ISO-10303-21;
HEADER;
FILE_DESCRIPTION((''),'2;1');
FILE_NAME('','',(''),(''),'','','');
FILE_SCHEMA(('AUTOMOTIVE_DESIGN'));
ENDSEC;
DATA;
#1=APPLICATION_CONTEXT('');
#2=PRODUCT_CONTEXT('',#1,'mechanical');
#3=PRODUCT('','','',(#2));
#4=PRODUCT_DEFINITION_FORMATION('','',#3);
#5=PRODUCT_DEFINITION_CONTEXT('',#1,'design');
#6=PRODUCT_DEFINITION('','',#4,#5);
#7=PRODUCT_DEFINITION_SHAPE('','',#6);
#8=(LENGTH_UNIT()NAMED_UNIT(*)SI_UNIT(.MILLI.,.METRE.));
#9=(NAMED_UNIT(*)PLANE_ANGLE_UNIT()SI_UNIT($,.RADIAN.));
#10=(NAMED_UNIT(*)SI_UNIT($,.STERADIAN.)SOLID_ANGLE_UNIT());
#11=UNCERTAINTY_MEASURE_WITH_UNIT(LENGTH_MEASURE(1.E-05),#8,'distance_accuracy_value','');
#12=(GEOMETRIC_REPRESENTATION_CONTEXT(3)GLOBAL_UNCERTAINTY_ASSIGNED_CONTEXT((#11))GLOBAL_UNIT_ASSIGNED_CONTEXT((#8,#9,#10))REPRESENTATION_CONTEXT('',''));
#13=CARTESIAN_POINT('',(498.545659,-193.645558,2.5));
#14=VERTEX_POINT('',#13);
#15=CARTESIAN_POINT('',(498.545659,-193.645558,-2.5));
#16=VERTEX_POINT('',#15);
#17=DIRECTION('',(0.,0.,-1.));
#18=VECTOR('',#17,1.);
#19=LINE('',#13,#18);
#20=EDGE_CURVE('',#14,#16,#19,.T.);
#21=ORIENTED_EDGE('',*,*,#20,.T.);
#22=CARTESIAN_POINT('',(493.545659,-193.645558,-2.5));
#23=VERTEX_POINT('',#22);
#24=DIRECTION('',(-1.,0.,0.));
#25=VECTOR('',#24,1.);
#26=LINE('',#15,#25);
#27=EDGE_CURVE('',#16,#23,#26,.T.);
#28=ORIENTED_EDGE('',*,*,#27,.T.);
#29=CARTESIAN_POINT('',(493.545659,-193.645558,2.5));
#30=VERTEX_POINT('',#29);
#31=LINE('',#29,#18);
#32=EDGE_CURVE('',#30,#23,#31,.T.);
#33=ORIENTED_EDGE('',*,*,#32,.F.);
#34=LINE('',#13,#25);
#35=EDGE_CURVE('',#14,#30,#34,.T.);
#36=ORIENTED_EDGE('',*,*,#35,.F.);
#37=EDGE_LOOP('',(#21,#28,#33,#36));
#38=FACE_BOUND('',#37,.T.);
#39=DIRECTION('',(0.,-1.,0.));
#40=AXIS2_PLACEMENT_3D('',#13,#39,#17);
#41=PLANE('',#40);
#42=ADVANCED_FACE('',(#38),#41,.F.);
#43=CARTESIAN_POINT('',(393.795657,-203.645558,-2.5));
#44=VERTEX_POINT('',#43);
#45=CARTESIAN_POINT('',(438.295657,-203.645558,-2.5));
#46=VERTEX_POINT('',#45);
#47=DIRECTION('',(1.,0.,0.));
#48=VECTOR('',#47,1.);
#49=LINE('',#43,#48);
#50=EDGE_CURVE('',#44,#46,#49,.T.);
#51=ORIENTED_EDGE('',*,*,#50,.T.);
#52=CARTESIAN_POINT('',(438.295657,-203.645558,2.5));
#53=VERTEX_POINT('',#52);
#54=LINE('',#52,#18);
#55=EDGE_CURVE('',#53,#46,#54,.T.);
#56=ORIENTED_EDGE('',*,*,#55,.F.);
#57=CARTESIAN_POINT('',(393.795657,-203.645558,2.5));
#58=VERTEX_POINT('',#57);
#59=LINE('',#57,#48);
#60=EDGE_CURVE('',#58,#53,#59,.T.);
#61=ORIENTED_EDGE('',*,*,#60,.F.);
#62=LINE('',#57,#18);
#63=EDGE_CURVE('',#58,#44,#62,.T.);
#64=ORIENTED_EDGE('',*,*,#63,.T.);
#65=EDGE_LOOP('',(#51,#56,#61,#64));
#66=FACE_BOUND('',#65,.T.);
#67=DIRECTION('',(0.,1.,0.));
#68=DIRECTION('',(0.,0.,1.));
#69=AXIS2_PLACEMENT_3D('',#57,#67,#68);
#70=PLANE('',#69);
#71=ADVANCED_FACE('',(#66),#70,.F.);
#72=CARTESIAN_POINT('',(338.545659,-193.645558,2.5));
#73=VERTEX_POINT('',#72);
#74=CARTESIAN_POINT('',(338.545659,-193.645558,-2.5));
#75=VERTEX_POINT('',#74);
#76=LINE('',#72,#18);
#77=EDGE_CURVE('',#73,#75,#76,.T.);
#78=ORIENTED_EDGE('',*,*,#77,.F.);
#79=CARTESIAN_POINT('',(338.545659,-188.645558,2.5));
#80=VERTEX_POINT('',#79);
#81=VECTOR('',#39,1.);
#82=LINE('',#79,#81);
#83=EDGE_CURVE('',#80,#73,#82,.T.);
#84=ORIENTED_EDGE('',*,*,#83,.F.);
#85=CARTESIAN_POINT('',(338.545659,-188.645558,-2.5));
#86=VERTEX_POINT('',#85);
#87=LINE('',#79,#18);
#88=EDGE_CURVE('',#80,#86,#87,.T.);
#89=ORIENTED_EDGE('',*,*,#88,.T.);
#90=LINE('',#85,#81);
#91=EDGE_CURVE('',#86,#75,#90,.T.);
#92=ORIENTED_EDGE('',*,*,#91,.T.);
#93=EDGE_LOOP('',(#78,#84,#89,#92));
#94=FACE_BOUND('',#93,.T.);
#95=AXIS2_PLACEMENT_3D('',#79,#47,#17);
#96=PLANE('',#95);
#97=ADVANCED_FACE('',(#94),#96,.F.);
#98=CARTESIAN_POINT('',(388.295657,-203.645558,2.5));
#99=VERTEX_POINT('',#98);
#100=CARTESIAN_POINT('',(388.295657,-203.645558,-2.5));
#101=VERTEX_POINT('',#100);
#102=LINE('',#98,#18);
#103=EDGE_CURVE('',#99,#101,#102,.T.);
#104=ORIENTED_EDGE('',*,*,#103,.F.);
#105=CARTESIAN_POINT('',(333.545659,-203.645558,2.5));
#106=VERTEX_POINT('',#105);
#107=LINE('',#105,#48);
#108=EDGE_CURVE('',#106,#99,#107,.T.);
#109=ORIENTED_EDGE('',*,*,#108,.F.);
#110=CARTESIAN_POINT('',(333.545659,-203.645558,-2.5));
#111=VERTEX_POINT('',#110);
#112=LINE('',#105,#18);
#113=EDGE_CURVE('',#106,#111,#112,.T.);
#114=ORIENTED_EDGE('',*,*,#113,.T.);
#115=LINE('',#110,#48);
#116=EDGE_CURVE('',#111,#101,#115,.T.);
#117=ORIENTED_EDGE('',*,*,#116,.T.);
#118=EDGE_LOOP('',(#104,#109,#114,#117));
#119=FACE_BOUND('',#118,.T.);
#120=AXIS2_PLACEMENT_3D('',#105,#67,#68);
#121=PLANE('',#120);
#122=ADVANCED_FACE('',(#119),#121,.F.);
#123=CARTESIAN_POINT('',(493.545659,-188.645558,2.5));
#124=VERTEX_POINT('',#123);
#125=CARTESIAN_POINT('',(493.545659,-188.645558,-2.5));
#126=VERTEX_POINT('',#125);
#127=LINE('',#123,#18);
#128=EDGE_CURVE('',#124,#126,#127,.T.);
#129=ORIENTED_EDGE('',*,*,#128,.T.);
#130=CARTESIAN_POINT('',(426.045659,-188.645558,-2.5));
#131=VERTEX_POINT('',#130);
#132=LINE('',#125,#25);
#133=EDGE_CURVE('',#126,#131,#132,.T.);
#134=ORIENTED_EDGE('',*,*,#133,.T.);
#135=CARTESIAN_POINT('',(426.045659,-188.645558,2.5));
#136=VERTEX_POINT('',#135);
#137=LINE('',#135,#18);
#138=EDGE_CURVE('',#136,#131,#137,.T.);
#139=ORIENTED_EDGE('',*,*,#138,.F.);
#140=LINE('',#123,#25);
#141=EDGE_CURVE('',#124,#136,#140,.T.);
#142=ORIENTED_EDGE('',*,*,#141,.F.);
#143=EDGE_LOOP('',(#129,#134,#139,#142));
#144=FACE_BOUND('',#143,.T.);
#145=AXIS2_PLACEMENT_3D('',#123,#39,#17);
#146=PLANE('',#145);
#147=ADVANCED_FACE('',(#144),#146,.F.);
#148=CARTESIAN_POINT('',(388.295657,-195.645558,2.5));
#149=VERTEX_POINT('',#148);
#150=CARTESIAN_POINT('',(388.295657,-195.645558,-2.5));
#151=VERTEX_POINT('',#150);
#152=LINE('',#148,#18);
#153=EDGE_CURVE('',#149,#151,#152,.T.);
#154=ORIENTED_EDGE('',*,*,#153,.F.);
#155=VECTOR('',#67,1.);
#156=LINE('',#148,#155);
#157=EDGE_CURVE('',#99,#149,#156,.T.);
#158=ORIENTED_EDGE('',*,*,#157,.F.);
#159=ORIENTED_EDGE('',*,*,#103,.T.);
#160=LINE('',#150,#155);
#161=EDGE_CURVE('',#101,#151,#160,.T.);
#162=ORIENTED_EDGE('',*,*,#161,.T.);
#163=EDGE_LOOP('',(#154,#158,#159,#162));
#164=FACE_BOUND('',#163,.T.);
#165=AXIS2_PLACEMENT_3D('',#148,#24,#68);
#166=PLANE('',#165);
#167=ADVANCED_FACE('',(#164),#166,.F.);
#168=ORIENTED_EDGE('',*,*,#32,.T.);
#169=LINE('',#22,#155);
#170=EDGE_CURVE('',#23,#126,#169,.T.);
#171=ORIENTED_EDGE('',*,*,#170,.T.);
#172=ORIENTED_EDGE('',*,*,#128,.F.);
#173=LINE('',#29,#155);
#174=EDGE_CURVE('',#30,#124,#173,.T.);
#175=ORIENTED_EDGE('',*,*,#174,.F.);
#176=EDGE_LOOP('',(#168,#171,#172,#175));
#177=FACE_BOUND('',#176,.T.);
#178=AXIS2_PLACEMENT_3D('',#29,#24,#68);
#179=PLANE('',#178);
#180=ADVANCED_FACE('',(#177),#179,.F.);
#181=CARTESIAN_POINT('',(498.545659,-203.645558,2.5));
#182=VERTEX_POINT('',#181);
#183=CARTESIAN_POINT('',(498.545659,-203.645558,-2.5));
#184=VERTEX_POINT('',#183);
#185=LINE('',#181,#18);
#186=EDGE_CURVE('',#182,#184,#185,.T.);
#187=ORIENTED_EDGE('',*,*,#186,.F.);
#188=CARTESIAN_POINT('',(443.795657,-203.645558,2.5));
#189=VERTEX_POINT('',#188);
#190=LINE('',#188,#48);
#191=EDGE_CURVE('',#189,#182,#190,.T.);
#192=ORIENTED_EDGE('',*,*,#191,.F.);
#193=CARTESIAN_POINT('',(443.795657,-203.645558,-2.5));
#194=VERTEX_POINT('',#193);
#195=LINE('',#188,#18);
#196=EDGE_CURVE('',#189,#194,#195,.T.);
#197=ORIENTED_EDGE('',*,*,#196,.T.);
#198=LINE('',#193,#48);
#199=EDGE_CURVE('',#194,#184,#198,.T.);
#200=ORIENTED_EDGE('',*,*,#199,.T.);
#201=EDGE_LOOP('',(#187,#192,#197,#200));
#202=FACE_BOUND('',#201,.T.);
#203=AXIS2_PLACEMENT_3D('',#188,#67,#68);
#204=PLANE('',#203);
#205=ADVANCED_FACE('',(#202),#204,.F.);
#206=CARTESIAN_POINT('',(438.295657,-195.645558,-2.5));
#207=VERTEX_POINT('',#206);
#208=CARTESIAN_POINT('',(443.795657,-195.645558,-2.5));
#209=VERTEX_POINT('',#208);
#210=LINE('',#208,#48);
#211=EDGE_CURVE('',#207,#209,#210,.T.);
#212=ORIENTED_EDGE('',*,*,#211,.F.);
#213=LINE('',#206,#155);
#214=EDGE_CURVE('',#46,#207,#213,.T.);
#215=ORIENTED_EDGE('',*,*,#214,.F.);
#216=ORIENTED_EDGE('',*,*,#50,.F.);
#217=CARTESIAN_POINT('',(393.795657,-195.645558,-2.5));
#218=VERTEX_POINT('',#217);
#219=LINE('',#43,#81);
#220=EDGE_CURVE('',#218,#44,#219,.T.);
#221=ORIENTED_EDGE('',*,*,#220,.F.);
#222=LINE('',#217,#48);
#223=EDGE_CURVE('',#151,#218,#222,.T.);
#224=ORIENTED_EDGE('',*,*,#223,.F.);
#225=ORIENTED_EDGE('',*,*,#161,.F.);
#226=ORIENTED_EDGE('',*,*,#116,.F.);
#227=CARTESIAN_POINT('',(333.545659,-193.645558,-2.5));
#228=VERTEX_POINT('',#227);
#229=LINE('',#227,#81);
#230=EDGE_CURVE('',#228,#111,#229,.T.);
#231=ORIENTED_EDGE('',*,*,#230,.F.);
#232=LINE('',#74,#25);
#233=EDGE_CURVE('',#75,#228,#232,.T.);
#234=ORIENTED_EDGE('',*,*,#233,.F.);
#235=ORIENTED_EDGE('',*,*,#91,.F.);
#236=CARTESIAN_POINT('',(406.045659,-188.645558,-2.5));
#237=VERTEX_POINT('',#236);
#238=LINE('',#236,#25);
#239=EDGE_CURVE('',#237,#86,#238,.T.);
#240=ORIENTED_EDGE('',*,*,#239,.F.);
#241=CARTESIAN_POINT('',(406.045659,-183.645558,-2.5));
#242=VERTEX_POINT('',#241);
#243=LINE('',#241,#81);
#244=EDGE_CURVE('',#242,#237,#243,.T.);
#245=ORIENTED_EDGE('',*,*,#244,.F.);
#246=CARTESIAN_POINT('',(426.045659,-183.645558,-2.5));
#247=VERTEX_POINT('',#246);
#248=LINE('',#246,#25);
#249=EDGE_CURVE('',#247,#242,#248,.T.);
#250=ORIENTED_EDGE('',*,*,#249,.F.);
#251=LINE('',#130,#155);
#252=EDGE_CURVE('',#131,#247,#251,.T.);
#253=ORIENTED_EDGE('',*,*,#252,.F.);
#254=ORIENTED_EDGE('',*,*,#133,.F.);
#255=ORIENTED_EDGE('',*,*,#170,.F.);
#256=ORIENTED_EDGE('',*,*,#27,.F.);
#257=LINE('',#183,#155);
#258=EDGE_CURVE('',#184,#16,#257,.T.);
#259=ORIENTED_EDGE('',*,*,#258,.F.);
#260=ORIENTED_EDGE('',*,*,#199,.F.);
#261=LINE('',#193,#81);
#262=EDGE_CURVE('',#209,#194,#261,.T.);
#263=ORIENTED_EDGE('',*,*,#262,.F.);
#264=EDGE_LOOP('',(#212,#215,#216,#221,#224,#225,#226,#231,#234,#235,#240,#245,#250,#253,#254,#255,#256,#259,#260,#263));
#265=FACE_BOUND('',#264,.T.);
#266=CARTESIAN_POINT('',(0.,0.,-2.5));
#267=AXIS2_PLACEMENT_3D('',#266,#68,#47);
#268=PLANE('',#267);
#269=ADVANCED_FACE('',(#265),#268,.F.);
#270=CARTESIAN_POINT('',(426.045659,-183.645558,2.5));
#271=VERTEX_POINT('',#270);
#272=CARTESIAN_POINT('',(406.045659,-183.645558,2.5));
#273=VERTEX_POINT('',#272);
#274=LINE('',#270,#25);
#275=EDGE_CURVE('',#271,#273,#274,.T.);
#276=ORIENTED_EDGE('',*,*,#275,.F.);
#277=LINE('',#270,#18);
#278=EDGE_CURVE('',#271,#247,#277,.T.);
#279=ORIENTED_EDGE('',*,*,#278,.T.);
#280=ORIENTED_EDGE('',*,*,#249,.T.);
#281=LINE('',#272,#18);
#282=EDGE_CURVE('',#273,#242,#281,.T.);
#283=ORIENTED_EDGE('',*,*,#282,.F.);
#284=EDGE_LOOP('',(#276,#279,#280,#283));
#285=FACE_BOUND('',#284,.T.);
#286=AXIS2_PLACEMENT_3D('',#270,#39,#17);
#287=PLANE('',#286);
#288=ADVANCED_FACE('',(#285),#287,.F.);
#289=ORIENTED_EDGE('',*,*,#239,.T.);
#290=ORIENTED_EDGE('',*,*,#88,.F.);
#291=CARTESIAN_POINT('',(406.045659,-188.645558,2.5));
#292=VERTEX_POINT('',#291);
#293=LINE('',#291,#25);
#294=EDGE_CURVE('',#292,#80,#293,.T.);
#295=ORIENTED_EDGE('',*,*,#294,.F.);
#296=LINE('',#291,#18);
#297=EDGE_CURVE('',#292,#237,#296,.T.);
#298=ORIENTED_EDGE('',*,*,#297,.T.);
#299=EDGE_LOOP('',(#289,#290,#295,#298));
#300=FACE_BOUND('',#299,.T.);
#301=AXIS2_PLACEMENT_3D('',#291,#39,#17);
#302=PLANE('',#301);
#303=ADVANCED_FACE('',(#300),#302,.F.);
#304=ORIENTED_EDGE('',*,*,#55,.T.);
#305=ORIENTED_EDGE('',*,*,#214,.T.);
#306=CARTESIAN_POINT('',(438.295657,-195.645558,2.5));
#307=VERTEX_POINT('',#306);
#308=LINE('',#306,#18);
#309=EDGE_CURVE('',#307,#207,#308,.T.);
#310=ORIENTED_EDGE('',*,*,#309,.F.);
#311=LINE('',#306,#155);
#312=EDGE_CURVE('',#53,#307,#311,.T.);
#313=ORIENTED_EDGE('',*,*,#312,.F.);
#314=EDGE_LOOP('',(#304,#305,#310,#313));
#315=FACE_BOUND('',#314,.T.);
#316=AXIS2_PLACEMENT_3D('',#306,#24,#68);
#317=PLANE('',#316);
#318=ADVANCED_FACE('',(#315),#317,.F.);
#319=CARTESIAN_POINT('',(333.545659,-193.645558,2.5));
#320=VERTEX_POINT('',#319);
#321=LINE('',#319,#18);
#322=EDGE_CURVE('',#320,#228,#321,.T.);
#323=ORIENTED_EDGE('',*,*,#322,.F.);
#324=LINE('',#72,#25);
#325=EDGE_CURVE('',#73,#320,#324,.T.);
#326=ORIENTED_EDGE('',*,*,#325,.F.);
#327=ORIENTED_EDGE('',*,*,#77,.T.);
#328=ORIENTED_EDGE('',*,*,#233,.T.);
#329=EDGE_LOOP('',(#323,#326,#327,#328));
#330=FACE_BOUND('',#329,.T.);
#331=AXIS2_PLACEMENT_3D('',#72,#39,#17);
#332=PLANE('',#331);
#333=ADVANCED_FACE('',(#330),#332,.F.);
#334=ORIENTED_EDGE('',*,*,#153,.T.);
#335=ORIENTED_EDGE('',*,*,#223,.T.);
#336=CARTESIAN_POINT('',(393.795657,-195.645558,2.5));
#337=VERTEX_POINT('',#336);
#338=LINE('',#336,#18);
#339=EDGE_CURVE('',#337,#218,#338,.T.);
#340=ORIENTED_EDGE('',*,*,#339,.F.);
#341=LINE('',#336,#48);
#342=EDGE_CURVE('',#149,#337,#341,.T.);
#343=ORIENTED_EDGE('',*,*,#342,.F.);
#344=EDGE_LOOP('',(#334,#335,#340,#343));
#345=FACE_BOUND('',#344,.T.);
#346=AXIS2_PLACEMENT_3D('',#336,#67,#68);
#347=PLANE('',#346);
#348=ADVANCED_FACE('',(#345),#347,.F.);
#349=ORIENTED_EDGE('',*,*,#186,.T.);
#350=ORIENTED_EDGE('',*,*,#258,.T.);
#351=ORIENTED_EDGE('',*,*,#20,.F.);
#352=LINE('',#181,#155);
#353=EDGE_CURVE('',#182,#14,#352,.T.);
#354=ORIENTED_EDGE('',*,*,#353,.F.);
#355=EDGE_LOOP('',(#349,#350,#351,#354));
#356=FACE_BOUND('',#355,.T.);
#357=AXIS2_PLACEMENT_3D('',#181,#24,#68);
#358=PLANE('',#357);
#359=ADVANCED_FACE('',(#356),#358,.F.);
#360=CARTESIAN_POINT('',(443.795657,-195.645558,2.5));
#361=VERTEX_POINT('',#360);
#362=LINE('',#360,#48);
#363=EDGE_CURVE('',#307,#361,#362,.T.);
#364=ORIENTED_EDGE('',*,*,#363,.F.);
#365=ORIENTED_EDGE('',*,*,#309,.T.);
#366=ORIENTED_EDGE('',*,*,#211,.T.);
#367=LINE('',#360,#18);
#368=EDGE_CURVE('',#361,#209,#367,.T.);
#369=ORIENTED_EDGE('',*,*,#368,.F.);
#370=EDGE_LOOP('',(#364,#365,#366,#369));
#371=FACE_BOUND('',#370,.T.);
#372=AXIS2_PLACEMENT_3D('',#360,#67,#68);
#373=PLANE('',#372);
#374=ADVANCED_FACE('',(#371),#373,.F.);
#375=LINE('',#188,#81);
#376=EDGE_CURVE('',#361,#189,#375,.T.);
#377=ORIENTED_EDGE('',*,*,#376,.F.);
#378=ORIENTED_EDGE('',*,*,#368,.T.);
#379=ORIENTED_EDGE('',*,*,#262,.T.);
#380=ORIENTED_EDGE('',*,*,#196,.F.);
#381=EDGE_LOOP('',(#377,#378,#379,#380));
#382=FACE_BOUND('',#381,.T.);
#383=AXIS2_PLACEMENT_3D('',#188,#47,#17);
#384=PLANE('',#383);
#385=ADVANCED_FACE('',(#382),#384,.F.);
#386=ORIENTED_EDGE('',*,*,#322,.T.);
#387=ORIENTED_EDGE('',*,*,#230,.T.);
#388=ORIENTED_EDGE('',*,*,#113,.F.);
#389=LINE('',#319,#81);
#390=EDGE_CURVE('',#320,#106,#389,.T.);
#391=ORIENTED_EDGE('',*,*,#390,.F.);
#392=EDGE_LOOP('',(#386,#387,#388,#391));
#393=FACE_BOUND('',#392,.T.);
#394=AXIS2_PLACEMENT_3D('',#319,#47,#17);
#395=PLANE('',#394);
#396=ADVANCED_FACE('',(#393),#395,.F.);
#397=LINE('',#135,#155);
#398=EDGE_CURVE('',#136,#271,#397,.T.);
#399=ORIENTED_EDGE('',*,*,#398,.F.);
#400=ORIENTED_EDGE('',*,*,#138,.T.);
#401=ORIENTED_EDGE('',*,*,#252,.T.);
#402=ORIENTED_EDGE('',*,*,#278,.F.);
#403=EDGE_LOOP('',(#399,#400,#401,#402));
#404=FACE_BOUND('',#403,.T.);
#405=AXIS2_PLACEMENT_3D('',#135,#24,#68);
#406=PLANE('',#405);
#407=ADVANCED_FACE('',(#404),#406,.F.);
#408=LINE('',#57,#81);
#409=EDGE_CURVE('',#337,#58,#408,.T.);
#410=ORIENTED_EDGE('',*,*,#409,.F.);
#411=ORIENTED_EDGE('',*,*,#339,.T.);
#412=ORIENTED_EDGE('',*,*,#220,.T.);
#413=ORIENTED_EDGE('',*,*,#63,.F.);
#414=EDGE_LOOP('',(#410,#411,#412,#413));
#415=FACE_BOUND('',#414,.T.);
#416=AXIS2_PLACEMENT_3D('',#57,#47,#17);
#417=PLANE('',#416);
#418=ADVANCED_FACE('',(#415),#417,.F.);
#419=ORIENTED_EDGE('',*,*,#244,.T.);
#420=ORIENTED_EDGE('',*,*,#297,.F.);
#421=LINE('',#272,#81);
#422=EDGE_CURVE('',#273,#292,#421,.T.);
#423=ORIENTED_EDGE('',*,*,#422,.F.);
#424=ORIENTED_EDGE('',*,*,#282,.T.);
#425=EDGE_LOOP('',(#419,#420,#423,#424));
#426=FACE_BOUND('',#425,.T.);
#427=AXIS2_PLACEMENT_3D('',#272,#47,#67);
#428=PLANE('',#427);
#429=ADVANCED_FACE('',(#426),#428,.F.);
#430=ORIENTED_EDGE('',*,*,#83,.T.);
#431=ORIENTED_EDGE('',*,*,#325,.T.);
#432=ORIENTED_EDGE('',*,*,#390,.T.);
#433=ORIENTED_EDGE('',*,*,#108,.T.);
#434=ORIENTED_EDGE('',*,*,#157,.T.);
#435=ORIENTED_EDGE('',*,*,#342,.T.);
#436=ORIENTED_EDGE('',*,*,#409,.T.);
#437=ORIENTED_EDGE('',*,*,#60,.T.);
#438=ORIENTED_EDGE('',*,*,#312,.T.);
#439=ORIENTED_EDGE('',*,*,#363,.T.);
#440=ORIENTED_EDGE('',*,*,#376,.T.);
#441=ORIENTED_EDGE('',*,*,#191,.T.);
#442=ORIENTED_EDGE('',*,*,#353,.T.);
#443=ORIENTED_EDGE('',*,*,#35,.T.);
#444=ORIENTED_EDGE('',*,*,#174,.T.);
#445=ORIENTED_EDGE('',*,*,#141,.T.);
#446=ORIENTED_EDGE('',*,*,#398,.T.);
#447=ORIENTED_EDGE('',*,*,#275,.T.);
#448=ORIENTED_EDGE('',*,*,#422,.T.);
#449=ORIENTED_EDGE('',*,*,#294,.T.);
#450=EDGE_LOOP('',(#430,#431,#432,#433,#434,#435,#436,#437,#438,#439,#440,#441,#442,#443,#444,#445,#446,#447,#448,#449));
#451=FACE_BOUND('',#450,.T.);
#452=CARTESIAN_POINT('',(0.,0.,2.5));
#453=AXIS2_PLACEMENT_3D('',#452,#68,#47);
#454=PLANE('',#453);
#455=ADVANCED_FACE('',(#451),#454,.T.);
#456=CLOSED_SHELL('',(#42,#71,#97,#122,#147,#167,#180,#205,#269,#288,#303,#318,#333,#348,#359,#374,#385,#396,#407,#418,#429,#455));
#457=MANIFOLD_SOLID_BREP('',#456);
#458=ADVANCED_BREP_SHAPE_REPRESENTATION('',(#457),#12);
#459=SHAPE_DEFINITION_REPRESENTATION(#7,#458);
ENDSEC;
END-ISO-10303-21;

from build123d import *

# Parameters (mm, degrees)
BOSS_EXTRUDE1_DEPTH = 2.5


with BuildPart() as part:
    # Sketch2 → Boss-Extrude1 (new, symmetric)
    with BuildSketch(Plane.XY):
        Polygon((443.795656842, -203.645557825), (443.795656842, -195.645557825), (438.295656842, -195.645557825), (438.295656842, -203.645557825), (393.795656842, -203.645557825), (393.795656842, -195.645557825), (388.295656842, -195.645557825), (388.295656842, -203.645557825), (333.545659386, -203.645557825), (333.545659386, -193.645557825), (338.545659386, -193.645557825), (338.545659386, -188.645557825), (406.045659386, -188.645557825), (406.045659386, -183.645557825), (426.045659386, -183.645557825), (426.045659386, -188.645557825), (493.545659386, -188.645557825), (493.545659386, -193.645557825), (498.545659386, -193.645557825), (498.545659386, -203.645557825), align=None)
    extrude(amount=BOSS_EXTRUDE1_DEPTH, both=True)


solid = part.part
